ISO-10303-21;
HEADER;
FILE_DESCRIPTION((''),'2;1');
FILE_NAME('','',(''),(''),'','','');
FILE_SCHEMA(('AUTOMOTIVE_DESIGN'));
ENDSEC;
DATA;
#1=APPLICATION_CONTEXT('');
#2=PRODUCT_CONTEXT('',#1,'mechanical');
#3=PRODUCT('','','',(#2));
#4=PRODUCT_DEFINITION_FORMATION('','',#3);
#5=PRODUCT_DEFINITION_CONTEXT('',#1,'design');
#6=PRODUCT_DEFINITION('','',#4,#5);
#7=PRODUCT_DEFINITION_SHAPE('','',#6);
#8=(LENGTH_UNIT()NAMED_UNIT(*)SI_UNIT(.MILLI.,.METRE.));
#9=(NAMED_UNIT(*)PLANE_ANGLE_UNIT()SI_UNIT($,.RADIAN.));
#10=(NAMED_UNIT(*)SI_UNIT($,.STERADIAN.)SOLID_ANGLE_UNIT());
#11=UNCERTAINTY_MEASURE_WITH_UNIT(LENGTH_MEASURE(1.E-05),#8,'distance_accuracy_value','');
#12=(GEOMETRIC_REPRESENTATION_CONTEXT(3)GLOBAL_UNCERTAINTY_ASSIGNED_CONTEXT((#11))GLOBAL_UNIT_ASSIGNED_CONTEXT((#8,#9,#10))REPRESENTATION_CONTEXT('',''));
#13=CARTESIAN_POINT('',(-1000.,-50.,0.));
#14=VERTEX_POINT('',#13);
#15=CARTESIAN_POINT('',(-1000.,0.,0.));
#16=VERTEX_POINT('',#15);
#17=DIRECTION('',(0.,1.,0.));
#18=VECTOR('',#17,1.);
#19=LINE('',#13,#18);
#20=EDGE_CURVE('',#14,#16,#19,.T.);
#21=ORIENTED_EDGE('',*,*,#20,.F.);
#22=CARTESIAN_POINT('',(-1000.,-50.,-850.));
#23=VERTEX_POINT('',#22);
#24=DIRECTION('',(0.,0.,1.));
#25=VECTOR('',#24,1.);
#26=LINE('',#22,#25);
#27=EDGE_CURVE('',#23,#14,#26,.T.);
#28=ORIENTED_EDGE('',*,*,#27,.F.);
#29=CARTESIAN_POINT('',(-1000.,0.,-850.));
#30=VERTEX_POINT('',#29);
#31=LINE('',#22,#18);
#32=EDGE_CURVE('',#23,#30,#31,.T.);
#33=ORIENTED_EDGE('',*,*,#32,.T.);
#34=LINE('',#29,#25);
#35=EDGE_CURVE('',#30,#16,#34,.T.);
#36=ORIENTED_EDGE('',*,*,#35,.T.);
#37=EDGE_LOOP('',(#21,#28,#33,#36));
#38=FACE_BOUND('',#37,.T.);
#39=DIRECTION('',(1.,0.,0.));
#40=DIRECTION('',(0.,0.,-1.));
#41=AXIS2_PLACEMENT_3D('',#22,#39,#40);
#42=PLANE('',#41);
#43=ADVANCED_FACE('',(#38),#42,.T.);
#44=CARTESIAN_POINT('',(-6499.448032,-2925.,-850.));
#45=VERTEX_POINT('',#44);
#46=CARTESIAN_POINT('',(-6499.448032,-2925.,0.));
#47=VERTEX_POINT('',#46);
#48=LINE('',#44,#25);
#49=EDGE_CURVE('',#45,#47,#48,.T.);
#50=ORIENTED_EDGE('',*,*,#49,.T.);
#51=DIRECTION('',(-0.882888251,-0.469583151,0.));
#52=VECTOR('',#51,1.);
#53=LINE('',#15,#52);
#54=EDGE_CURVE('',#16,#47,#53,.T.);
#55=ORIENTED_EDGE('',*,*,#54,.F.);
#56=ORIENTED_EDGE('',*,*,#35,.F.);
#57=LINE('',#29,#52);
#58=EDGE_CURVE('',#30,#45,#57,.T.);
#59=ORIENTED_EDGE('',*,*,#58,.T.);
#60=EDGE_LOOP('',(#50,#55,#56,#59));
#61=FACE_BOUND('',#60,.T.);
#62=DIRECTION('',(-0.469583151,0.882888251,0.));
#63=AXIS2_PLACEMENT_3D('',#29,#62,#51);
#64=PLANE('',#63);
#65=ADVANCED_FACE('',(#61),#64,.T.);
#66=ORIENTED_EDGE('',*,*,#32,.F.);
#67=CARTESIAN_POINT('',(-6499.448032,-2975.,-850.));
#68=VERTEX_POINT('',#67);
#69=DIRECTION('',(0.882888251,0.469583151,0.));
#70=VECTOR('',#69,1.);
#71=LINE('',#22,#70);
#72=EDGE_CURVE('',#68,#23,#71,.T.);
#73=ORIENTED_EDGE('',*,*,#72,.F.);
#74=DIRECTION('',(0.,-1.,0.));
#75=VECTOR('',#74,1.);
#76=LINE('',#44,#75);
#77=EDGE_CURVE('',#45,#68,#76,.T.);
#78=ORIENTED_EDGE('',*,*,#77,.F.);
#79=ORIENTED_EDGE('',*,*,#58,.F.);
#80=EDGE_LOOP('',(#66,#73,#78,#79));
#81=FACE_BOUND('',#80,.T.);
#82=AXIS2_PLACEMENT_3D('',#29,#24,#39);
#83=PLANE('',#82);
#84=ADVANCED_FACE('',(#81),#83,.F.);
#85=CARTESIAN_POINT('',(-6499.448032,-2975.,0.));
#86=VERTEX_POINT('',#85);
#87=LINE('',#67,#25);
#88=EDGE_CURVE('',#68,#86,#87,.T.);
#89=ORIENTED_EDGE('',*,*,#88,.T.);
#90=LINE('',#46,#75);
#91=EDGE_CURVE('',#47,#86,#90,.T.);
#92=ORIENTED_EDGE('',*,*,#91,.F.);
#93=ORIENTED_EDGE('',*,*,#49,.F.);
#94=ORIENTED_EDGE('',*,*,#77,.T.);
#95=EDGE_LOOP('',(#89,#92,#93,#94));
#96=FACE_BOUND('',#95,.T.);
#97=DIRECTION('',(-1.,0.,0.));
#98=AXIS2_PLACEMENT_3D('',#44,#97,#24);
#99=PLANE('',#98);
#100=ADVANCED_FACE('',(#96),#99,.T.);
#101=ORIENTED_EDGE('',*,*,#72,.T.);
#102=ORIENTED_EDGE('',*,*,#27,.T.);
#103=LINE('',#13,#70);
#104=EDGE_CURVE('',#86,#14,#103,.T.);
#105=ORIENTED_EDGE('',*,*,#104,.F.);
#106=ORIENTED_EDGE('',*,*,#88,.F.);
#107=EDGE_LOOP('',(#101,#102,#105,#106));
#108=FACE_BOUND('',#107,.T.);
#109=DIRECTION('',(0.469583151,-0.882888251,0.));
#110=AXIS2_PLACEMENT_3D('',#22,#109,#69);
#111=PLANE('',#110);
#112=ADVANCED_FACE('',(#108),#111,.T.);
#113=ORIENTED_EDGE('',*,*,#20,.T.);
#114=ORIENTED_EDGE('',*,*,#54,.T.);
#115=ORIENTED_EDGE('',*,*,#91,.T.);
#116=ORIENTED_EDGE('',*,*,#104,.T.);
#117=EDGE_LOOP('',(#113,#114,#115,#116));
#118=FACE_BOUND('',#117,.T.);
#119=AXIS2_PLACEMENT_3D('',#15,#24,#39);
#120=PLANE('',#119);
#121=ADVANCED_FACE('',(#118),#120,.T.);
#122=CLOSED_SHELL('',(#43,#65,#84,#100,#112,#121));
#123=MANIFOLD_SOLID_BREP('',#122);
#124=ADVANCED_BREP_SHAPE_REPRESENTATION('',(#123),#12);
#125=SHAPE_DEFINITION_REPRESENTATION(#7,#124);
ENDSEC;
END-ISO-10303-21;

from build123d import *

# Parameters (mm, degrees)
EXTRUDE1_DEPTH = 850


with BuildPart() as part:
    # Sketch1 → Extrude1 (new body)
    with BuildSketch(Plane.XY):
        Polygon((-1000, -50), (-6499.448032305, -2975), (-6499.448032305, -2925), (-1000, 0), align=None)
    extrude(amount=-EXTRUDE1_DEPTH)


solid = part.part
